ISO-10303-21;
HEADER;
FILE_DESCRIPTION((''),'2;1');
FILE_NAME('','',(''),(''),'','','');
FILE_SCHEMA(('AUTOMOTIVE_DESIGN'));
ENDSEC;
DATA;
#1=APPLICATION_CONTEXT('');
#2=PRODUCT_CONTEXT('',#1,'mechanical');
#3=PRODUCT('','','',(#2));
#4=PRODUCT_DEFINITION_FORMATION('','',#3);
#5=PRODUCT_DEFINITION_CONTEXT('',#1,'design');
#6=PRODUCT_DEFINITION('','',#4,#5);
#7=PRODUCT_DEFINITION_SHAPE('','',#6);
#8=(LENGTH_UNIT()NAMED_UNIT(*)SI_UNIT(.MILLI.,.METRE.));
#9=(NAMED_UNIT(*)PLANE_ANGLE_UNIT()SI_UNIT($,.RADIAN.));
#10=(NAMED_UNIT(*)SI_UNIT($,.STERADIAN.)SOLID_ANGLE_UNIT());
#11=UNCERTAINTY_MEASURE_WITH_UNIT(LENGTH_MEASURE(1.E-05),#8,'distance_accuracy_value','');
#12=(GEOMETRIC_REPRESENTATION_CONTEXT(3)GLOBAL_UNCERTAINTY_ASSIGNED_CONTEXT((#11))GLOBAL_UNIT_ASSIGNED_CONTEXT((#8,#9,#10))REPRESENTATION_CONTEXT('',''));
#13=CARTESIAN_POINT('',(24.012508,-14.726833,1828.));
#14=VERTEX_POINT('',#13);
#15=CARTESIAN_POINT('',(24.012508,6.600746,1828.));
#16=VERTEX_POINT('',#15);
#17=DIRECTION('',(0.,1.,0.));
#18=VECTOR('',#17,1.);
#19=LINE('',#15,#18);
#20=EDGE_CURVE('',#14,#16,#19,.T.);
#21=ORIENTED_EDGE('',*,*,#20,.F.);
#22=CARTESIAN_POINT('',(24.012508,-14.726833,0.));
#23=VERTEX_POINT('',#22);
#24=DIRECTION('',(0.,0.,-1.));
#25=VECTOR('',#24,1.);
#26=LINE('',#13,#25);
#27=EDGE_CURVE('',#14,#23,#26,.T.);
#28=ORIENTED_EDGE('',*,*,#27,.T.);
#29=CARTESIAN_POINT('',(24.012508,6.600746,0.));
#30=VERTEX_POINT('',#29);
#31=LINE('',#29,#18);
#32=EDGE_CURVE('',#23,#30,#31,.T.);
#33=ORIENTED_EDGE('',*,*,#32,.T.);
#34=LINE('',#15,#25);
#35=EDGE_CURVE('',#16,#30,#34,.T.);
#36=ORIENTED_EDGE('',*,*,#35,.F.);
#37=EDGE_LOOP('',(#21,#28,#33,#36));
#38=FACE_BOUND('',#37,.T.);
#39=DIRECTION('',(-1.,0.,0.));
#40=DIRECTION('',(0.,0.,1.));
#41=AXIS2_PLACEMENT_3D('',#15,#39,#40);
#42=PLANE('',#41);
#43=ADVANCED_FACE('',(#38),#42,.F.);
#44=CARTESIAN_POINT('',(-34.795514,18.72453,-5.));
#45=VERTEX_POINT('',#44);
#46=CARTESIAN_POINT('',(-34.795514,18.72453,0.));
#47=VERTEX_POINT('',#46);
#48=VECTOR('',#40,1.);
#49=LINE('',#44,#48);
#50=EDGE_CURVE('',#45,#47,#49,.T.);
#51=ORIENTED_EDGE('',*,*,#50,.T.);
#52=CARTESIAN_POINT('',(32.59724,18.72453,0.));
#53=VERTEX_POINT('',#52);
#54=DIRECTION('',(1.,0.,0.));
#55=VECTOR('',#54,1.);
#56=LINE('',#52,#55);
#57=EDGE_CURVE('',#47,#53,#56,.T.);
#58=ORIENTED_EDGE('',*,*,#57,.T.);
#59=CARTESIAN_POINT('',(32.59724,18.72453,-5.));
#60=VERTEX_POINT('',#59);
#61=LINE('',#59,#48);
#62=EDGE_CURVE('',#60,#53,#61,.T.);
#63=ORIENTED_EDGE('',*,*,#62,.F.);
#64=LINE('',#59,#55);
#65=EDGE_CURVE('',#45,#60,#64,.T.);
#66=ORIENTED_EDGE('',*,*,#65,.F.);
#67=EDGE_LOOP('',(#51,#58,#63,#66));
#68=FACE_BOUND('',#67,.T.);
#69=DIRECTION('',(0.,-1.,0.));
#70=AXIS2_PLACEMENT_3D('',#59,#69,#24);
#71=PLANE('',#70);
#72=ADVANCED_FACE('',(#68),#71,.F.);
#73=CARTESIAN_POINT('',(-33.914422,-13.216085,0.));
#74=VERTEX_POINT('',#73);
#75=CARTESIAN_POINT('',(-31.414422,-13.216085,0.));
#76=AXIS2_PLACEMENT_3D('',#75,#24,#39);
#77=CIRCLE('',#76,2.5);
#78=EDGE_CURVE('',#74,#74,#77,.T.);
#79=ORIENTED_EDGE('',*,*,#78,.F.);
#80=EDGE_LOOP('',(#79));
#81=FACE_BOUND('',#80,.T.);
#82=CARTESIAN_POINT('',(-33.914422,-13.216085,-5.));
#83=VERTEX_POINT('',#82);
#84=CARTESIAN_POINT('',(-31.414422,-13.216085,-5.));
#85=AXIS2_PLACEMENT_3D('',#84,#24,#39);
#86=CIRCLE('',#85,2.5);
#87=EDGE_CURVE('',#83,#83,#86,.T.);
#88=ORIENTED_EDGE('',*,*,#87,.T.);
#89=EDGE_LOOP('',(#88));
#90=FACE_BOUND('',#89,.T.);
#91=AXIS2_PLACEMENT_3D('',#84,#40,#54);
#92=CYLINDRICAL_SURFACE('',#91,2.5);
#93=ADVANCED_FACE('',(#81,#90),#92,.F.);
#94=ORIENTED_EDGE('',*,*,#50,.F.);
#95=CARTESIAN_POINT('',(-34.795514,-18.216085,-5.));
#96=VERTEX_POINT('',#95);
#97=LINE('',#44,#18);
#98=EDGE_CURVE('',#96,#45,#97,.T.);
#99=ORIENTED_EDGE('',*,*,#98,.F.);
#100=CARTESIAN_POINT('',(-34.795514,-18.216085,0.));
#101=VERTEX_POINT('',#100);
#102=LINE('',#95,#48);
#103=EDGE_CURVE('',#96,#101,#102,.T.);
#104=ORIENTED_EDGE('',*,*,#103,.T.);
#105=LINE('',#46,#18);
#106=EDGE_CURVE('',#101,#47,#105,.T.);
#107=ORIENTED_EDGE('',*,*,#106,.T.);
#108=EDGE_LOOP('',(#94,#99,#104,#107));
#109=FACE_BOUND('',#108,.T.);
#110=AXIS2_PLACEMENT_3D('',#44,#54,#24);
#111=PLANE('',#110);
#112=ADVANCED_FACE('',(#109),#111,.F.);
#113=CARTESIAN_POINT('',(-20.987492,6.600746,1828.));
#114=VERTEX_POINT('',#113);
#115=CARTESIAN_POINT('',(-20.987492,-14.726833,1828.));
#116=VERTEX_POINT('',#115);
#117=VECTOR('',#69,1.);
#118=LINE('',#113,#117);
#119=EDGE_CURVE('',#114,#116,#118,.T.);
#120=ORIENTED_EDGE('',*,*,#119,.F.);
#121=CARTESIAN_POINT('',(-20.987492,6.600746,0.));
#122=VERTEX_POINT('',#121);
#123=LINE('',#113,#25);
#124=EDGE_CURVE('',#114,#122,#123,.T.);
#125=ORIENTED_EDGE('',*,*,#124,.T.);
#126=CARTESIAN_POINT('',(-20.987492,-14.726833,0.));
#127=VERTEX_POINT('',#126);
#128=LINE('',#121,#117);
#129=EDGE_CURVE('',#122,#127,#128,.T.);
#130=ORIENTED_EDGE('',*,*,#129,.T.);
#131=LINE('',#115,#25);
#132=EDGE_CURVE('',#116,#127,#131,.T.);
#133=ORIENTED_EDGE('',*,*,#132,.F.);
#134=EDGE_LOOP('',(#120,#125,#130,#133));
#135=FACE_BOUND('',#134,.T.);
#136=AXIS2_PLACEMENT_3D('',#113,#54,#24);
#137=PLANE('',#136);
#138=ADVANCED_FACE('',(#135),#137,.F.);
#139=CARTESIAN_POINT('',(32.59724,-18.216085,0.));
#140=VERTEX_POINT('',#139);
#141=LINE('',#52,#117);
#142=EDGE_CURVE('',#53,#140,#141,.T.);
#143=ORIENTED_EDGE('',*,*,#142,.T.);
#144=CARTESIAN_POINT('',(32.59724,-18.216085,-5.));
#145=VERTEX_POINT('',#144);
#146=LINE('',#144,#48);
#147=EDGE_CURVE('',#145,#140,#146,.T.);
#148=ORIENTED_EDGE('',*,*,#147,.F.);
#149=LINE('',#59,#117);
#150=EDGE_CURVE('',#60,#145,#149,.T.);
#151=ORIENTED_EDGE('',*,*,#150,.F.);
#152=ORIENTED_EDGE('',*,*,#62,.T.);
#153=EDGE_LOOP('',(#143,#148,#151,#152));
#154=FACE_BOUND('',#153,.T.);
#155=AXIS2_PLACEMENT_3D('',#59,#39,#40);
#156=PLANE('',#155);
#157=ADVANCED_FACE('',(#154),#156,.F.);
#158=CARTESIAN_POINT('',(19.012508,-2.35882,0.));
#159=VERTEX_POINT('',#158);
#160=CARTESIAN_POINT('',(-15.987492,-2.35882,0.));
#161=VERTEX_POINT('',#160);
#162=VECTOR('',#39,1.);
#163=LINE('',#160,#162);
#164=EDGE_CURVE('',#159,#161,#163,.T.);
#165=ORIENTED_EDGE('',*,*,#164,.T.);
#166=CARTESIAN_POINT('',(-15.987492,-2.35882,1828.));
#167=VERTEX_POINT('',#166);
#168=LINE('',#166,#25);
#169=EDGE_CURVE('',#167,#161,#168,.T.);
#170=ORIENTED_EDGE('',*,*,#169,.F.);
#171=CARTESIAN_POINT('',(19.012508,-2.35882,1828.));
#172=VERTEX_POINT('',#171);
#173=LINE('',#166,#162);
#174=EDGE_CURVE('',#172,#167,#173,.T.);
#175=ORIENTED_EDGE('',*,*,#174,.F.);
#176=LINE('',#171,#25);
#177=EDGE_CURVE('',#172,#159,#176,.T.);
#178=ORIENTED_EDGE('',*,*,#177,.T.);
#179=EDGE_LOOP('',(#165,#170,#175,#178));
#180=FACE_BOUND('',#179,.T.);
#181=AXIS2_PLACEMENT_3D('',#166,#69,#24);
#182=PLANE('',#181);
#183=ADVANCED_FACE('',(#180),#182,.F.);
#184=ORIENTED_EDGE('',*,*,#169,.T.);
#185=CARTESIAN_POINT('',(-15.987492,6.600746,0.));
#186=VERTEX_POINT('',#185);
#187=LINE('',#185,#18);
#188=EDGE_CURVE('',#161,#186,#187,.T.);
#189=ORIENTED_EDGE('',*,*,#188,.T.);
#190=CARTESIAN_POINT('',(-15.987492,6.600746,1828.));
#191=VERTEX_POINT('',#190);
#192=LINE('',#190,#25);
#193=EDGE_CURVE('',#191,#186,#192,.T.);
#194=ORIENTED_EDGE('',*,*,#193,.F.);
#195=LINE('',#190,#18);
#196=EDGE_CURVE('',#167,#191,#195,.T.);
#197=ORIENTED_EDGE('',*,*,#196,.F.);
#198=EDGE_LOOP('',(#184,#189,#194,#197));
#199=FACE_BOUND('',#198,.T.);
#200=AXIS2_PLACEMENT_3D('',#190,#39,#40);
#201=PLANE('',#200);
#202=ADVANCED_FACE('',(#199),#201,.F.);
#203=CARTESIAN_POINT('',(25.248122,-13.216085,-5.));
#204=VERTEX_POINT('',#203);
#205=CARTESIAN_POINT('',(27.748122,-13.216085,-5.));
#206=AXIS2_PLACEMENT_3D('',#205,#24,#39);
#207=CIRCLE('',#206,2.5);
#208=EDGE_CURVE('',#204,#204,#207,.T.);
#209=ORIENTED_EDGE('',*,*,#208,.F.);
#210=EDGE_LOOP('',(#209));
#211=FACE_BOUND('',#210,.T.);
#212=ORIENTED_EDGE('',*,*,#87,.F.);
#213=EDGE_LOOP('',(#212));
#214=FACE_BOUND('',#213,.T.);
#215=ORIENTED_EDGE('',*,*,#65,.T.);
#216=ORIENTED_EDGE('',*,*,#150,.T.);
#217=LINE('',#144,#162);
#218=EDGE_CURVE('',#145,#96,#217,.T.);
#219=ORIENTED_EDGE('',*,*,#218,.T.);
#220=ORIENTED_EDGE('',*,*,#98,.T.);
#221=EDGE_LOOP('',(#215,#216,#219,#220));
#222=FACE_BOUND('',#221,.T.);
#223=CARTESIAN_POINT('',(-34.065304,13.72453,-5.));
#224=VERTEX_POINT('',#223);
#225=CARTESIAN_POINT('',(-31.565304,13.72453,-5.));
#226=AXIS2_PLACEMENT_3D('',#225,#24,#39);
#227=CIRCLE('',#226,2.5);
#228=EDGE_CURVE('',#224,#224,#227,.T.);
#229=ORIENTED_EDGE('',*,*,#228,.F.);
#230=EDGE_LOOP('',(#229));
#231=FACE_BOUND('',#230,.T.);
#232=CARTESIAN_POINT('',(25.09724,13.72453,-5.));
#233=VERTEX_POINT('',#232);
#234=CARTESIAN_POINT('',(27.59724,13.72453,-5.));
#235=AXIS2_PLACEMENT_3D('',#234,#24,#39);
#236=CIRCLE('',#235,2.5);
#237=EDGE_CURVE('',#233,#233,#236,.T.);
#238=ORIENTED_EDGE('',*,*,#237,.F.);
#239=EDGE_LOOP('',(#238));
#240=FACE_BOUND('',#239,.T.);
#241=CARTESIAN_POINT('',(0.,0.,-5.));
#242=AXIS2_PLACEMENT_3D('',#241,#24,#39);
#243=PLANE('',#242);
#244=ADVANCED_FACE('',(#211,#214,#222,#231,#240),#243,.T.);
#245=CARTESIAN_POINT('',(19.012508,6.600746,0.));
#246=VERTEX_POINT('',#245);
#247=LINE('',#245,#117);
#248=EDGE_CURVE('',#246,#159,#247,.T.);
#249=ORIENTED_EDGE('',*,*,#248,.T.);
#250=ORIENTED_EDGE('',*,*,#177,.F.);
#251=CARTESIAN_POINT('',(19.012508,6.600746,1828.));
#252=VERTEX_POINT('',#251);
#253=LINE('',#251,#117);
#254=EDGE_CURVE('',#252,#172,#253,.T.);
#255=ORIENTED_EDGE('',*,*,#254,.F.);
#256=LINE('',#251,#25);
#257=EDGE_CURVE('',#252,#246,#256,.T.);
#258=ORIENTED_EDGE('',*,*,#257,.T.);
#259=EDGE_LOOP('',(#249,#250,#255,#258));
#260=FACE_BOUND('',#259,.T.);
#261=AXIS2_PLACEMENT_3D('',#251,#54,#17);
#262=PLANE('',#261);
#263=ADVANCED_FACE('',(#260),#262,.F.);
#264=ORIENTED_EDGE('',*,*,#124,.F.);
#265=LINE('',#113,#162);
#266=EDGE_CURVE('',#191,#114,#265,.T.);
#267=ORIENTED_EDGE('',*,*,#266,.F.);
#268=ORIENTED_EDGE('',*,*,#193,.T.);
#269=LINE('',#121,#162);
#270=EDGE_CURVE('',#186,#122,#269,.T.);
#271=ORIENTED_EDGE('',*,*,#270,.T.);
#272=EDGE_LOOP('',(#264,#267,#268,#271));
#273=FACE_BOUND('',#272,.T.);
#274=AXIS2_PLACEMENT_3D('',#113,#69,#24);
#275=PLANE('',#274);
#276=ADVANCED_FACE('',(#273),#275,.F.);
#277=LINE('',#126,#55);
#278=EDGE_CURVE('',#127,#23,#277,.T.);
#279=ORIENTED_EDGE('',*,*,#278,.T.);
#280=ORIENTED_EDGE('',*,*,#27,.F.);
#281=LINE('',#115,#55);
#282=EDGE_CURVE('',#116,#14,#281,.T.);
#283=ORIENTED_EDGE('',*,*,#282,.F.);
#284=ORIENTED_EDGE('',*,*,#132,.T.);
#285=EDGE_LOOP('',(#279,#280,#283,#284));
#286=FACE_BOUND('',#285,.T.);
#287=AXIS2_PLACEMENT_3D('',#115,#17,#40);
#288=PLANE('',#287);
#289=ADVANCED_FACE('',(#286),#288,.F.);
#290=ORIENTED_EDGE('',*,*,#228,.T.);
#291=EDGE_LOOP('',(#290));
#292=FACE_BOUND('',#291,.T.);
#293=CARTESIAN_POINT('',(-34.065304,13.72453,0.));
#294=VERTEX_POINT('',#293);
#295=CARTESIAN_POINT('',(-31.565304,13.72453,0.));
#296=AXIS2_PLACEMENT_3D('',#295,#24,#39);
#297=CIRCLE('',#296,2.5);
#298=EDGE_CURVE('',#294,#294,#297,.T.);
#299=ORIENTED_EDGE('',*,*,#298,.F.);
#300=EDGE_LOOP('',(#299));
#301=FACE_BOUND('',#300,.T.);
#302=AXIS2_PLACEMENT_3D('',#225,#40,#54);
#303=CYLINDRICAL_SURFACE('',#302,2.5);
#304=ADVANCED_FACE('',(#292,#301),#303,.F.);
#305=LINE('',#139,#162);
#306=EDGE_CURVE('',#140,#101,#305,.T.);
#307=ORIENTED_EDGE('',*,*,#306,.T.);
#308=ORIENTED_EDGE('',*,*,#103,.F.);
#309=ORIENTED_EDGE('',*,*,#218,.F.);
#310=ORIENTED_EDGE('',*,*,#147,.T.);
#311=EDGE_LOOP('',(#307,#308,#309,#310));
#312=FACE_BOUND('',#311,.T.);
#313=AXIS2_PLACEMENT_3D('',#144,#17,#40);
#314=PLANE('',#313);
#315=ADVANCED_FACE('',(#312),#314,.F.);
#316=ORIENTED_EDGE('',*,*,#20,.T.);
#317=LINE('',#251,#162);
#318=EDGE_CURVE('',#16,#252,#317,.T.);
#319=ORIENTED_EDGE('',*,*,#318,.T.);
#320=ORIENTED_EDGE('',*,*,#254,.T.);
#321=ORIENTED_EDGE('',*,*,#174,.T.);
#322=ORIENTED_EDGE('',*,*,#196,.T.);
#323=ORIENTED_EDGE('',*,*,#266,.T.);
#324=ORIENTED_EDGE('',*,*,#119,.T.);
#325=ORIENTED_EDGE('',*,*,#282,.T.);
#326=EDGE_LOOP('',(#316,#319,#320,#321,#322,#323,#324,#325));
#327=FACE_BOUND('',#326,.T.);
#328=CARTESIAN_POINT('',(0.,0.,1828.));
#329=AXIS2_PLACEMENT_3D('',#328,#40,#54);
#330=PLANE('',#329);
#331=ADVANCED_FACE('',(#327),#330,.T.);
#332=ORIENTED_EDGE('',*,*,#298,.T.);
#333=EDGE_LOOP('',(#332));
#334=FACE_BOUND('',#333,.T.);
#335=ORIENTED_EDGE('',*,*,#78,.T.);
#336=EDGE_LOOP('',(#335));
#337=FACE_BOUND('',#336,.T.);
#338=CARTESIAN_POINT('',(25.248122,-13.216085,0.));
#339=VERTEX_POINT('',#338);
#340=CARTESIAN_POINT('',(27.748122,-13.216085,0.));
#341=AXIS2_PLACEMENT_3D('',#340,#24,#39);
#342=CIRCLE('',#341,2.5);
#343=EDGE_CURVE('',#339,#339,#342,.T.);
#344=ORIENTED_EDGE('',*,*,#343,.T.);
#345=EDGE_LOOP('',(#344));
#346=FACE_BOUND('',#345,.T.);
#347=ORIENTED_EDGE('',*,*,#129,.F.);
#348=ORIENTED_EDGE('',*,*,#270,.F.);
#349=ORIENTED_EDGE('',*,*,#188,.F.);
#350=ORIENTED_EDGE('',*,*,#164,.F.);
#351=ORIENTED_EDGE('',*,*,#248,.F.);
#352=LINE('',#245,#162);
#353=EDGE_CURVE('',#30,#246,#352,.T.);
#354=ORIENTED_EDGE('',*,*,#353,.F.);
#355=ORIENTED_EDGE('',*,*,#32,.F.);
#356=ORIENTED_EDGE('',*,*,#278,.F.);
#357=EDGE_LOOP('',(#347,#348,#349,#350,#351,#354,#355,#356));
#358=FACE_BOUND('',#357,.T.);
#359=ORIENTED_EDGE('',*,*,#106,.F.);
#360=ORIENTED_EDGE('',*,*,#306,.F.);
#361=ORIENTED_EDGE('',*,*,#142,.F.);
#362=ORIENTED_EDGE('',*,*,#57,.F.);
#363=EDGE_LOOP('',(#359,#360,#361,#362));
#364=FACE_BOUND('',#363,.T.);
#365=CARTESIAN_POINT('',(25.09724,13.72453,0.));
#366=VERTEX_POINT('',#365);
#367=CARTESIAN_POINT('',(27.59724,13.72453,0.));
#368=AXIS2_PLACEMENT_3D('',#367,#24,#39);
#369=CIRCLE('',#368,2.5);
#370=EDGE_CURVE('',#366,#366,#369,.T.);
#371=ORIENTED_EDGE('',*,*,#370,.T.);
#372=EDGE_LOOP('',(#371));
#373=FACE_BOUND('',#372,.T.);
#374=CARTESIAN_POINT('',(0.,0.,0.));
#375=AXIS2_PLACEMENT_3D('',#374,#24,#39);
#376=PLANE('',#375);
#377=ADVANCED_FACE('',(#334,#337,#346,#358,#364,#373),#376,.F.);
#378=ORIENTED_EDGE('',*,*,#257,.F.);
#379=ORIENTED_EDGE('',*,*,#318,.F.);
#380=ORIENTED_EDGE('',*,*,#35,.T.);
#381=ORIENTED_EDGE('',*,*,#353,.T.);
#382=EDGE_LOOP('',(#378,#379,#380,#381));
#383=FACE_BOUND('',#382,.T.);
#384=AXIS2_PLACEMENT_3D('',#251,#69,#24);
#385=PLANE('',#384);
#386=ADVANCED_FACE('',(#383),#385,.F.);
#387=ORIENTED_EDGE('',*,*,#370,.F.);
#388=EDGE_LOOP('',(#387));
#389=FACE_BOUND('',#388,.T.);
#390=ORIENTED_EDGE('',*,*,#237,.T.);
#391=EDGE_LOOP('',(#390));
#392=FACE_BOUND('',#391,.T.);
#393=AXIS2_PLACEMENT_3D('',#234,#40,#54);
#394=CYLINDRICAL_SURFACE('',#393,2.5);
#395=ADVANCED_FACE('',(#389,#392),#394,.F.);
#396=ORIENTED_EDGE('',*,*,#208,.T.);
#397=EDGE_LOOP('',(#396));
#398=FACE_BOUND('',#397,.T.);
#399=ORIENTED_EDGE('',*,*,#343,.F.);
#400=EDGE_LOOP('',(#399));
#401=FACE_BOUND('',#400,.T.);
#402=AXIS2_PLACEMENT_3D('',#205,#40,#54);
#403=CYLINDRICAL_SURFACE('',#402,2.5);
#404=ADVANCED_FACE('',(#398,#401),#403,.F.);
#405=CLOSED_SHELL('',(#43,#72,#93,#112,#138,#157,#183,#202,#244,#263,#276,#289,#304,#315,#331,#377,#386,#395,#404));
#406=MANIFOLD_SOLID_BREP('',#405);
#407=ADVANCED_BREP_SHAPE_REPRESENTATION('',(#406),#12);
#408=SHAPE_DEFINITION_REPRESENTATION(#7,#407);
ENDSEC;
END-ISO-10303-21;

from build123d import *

# Parameters (mm, degrees)
BOSS_EXTRUDE1_DEPTH = 1828
SKETCH2_W           = 67.392754287
SKETCH2_H           = 36.940615493
SKETCH2_R           = 2.5
BOSS_EXTRUDE2_DEPTH = 5


with BuildPart() as part:
    # Sketch1 → Boss-Extrude1 (new body)
    with BuildSketch(Plane.XY):
        Polygon((-20.987492455, 6.600745666), (-15.987492455, 6.600745666), (-15.987492455, -2.358820079), (19.012507545, -2.358820079), (19.012507545, 6.600745666), (24.012507545, 6.600745666), (24.012507545, -14.726832534), (-20.987492455, -14.726832534), align=None)
    extrude(amount=BOSS_EXTRUDE1_DEPTH)

    # Sketch2 → Boss-Extrude2 (add)
    with BuildSketch(Plane(origin=(0, 0, 0), x_dir=(-1, 0, 0), z_dir=(0, 0, -1))):
        with Locations((1.099137048, 0.254222391)):
            Rectangle(SKETCH2_W, SKETCH2_H)
        with Locations((-27.597240096, 13.724530137)):
            Circle(SKETCH2_R, mode=Mode.SUBTRACT)
        with Locations((31.565303785, 13.724530137)):
            Circle(SKETCH2_R, mode=Mode.SUBTRACT)
        with Locations((31.414421828, -13.216085356)):
            Circle(SKETCH2_R, mode=Mode.SUBTRACT)
        with Locations((-27.748122053, -13.216085356)):
            Circle(SKETCH2_R, mode=Mode.SUBTRACT)
    extrude(amount=BOSS_EXTRUDE2_DEPTH)


solid = part.part
